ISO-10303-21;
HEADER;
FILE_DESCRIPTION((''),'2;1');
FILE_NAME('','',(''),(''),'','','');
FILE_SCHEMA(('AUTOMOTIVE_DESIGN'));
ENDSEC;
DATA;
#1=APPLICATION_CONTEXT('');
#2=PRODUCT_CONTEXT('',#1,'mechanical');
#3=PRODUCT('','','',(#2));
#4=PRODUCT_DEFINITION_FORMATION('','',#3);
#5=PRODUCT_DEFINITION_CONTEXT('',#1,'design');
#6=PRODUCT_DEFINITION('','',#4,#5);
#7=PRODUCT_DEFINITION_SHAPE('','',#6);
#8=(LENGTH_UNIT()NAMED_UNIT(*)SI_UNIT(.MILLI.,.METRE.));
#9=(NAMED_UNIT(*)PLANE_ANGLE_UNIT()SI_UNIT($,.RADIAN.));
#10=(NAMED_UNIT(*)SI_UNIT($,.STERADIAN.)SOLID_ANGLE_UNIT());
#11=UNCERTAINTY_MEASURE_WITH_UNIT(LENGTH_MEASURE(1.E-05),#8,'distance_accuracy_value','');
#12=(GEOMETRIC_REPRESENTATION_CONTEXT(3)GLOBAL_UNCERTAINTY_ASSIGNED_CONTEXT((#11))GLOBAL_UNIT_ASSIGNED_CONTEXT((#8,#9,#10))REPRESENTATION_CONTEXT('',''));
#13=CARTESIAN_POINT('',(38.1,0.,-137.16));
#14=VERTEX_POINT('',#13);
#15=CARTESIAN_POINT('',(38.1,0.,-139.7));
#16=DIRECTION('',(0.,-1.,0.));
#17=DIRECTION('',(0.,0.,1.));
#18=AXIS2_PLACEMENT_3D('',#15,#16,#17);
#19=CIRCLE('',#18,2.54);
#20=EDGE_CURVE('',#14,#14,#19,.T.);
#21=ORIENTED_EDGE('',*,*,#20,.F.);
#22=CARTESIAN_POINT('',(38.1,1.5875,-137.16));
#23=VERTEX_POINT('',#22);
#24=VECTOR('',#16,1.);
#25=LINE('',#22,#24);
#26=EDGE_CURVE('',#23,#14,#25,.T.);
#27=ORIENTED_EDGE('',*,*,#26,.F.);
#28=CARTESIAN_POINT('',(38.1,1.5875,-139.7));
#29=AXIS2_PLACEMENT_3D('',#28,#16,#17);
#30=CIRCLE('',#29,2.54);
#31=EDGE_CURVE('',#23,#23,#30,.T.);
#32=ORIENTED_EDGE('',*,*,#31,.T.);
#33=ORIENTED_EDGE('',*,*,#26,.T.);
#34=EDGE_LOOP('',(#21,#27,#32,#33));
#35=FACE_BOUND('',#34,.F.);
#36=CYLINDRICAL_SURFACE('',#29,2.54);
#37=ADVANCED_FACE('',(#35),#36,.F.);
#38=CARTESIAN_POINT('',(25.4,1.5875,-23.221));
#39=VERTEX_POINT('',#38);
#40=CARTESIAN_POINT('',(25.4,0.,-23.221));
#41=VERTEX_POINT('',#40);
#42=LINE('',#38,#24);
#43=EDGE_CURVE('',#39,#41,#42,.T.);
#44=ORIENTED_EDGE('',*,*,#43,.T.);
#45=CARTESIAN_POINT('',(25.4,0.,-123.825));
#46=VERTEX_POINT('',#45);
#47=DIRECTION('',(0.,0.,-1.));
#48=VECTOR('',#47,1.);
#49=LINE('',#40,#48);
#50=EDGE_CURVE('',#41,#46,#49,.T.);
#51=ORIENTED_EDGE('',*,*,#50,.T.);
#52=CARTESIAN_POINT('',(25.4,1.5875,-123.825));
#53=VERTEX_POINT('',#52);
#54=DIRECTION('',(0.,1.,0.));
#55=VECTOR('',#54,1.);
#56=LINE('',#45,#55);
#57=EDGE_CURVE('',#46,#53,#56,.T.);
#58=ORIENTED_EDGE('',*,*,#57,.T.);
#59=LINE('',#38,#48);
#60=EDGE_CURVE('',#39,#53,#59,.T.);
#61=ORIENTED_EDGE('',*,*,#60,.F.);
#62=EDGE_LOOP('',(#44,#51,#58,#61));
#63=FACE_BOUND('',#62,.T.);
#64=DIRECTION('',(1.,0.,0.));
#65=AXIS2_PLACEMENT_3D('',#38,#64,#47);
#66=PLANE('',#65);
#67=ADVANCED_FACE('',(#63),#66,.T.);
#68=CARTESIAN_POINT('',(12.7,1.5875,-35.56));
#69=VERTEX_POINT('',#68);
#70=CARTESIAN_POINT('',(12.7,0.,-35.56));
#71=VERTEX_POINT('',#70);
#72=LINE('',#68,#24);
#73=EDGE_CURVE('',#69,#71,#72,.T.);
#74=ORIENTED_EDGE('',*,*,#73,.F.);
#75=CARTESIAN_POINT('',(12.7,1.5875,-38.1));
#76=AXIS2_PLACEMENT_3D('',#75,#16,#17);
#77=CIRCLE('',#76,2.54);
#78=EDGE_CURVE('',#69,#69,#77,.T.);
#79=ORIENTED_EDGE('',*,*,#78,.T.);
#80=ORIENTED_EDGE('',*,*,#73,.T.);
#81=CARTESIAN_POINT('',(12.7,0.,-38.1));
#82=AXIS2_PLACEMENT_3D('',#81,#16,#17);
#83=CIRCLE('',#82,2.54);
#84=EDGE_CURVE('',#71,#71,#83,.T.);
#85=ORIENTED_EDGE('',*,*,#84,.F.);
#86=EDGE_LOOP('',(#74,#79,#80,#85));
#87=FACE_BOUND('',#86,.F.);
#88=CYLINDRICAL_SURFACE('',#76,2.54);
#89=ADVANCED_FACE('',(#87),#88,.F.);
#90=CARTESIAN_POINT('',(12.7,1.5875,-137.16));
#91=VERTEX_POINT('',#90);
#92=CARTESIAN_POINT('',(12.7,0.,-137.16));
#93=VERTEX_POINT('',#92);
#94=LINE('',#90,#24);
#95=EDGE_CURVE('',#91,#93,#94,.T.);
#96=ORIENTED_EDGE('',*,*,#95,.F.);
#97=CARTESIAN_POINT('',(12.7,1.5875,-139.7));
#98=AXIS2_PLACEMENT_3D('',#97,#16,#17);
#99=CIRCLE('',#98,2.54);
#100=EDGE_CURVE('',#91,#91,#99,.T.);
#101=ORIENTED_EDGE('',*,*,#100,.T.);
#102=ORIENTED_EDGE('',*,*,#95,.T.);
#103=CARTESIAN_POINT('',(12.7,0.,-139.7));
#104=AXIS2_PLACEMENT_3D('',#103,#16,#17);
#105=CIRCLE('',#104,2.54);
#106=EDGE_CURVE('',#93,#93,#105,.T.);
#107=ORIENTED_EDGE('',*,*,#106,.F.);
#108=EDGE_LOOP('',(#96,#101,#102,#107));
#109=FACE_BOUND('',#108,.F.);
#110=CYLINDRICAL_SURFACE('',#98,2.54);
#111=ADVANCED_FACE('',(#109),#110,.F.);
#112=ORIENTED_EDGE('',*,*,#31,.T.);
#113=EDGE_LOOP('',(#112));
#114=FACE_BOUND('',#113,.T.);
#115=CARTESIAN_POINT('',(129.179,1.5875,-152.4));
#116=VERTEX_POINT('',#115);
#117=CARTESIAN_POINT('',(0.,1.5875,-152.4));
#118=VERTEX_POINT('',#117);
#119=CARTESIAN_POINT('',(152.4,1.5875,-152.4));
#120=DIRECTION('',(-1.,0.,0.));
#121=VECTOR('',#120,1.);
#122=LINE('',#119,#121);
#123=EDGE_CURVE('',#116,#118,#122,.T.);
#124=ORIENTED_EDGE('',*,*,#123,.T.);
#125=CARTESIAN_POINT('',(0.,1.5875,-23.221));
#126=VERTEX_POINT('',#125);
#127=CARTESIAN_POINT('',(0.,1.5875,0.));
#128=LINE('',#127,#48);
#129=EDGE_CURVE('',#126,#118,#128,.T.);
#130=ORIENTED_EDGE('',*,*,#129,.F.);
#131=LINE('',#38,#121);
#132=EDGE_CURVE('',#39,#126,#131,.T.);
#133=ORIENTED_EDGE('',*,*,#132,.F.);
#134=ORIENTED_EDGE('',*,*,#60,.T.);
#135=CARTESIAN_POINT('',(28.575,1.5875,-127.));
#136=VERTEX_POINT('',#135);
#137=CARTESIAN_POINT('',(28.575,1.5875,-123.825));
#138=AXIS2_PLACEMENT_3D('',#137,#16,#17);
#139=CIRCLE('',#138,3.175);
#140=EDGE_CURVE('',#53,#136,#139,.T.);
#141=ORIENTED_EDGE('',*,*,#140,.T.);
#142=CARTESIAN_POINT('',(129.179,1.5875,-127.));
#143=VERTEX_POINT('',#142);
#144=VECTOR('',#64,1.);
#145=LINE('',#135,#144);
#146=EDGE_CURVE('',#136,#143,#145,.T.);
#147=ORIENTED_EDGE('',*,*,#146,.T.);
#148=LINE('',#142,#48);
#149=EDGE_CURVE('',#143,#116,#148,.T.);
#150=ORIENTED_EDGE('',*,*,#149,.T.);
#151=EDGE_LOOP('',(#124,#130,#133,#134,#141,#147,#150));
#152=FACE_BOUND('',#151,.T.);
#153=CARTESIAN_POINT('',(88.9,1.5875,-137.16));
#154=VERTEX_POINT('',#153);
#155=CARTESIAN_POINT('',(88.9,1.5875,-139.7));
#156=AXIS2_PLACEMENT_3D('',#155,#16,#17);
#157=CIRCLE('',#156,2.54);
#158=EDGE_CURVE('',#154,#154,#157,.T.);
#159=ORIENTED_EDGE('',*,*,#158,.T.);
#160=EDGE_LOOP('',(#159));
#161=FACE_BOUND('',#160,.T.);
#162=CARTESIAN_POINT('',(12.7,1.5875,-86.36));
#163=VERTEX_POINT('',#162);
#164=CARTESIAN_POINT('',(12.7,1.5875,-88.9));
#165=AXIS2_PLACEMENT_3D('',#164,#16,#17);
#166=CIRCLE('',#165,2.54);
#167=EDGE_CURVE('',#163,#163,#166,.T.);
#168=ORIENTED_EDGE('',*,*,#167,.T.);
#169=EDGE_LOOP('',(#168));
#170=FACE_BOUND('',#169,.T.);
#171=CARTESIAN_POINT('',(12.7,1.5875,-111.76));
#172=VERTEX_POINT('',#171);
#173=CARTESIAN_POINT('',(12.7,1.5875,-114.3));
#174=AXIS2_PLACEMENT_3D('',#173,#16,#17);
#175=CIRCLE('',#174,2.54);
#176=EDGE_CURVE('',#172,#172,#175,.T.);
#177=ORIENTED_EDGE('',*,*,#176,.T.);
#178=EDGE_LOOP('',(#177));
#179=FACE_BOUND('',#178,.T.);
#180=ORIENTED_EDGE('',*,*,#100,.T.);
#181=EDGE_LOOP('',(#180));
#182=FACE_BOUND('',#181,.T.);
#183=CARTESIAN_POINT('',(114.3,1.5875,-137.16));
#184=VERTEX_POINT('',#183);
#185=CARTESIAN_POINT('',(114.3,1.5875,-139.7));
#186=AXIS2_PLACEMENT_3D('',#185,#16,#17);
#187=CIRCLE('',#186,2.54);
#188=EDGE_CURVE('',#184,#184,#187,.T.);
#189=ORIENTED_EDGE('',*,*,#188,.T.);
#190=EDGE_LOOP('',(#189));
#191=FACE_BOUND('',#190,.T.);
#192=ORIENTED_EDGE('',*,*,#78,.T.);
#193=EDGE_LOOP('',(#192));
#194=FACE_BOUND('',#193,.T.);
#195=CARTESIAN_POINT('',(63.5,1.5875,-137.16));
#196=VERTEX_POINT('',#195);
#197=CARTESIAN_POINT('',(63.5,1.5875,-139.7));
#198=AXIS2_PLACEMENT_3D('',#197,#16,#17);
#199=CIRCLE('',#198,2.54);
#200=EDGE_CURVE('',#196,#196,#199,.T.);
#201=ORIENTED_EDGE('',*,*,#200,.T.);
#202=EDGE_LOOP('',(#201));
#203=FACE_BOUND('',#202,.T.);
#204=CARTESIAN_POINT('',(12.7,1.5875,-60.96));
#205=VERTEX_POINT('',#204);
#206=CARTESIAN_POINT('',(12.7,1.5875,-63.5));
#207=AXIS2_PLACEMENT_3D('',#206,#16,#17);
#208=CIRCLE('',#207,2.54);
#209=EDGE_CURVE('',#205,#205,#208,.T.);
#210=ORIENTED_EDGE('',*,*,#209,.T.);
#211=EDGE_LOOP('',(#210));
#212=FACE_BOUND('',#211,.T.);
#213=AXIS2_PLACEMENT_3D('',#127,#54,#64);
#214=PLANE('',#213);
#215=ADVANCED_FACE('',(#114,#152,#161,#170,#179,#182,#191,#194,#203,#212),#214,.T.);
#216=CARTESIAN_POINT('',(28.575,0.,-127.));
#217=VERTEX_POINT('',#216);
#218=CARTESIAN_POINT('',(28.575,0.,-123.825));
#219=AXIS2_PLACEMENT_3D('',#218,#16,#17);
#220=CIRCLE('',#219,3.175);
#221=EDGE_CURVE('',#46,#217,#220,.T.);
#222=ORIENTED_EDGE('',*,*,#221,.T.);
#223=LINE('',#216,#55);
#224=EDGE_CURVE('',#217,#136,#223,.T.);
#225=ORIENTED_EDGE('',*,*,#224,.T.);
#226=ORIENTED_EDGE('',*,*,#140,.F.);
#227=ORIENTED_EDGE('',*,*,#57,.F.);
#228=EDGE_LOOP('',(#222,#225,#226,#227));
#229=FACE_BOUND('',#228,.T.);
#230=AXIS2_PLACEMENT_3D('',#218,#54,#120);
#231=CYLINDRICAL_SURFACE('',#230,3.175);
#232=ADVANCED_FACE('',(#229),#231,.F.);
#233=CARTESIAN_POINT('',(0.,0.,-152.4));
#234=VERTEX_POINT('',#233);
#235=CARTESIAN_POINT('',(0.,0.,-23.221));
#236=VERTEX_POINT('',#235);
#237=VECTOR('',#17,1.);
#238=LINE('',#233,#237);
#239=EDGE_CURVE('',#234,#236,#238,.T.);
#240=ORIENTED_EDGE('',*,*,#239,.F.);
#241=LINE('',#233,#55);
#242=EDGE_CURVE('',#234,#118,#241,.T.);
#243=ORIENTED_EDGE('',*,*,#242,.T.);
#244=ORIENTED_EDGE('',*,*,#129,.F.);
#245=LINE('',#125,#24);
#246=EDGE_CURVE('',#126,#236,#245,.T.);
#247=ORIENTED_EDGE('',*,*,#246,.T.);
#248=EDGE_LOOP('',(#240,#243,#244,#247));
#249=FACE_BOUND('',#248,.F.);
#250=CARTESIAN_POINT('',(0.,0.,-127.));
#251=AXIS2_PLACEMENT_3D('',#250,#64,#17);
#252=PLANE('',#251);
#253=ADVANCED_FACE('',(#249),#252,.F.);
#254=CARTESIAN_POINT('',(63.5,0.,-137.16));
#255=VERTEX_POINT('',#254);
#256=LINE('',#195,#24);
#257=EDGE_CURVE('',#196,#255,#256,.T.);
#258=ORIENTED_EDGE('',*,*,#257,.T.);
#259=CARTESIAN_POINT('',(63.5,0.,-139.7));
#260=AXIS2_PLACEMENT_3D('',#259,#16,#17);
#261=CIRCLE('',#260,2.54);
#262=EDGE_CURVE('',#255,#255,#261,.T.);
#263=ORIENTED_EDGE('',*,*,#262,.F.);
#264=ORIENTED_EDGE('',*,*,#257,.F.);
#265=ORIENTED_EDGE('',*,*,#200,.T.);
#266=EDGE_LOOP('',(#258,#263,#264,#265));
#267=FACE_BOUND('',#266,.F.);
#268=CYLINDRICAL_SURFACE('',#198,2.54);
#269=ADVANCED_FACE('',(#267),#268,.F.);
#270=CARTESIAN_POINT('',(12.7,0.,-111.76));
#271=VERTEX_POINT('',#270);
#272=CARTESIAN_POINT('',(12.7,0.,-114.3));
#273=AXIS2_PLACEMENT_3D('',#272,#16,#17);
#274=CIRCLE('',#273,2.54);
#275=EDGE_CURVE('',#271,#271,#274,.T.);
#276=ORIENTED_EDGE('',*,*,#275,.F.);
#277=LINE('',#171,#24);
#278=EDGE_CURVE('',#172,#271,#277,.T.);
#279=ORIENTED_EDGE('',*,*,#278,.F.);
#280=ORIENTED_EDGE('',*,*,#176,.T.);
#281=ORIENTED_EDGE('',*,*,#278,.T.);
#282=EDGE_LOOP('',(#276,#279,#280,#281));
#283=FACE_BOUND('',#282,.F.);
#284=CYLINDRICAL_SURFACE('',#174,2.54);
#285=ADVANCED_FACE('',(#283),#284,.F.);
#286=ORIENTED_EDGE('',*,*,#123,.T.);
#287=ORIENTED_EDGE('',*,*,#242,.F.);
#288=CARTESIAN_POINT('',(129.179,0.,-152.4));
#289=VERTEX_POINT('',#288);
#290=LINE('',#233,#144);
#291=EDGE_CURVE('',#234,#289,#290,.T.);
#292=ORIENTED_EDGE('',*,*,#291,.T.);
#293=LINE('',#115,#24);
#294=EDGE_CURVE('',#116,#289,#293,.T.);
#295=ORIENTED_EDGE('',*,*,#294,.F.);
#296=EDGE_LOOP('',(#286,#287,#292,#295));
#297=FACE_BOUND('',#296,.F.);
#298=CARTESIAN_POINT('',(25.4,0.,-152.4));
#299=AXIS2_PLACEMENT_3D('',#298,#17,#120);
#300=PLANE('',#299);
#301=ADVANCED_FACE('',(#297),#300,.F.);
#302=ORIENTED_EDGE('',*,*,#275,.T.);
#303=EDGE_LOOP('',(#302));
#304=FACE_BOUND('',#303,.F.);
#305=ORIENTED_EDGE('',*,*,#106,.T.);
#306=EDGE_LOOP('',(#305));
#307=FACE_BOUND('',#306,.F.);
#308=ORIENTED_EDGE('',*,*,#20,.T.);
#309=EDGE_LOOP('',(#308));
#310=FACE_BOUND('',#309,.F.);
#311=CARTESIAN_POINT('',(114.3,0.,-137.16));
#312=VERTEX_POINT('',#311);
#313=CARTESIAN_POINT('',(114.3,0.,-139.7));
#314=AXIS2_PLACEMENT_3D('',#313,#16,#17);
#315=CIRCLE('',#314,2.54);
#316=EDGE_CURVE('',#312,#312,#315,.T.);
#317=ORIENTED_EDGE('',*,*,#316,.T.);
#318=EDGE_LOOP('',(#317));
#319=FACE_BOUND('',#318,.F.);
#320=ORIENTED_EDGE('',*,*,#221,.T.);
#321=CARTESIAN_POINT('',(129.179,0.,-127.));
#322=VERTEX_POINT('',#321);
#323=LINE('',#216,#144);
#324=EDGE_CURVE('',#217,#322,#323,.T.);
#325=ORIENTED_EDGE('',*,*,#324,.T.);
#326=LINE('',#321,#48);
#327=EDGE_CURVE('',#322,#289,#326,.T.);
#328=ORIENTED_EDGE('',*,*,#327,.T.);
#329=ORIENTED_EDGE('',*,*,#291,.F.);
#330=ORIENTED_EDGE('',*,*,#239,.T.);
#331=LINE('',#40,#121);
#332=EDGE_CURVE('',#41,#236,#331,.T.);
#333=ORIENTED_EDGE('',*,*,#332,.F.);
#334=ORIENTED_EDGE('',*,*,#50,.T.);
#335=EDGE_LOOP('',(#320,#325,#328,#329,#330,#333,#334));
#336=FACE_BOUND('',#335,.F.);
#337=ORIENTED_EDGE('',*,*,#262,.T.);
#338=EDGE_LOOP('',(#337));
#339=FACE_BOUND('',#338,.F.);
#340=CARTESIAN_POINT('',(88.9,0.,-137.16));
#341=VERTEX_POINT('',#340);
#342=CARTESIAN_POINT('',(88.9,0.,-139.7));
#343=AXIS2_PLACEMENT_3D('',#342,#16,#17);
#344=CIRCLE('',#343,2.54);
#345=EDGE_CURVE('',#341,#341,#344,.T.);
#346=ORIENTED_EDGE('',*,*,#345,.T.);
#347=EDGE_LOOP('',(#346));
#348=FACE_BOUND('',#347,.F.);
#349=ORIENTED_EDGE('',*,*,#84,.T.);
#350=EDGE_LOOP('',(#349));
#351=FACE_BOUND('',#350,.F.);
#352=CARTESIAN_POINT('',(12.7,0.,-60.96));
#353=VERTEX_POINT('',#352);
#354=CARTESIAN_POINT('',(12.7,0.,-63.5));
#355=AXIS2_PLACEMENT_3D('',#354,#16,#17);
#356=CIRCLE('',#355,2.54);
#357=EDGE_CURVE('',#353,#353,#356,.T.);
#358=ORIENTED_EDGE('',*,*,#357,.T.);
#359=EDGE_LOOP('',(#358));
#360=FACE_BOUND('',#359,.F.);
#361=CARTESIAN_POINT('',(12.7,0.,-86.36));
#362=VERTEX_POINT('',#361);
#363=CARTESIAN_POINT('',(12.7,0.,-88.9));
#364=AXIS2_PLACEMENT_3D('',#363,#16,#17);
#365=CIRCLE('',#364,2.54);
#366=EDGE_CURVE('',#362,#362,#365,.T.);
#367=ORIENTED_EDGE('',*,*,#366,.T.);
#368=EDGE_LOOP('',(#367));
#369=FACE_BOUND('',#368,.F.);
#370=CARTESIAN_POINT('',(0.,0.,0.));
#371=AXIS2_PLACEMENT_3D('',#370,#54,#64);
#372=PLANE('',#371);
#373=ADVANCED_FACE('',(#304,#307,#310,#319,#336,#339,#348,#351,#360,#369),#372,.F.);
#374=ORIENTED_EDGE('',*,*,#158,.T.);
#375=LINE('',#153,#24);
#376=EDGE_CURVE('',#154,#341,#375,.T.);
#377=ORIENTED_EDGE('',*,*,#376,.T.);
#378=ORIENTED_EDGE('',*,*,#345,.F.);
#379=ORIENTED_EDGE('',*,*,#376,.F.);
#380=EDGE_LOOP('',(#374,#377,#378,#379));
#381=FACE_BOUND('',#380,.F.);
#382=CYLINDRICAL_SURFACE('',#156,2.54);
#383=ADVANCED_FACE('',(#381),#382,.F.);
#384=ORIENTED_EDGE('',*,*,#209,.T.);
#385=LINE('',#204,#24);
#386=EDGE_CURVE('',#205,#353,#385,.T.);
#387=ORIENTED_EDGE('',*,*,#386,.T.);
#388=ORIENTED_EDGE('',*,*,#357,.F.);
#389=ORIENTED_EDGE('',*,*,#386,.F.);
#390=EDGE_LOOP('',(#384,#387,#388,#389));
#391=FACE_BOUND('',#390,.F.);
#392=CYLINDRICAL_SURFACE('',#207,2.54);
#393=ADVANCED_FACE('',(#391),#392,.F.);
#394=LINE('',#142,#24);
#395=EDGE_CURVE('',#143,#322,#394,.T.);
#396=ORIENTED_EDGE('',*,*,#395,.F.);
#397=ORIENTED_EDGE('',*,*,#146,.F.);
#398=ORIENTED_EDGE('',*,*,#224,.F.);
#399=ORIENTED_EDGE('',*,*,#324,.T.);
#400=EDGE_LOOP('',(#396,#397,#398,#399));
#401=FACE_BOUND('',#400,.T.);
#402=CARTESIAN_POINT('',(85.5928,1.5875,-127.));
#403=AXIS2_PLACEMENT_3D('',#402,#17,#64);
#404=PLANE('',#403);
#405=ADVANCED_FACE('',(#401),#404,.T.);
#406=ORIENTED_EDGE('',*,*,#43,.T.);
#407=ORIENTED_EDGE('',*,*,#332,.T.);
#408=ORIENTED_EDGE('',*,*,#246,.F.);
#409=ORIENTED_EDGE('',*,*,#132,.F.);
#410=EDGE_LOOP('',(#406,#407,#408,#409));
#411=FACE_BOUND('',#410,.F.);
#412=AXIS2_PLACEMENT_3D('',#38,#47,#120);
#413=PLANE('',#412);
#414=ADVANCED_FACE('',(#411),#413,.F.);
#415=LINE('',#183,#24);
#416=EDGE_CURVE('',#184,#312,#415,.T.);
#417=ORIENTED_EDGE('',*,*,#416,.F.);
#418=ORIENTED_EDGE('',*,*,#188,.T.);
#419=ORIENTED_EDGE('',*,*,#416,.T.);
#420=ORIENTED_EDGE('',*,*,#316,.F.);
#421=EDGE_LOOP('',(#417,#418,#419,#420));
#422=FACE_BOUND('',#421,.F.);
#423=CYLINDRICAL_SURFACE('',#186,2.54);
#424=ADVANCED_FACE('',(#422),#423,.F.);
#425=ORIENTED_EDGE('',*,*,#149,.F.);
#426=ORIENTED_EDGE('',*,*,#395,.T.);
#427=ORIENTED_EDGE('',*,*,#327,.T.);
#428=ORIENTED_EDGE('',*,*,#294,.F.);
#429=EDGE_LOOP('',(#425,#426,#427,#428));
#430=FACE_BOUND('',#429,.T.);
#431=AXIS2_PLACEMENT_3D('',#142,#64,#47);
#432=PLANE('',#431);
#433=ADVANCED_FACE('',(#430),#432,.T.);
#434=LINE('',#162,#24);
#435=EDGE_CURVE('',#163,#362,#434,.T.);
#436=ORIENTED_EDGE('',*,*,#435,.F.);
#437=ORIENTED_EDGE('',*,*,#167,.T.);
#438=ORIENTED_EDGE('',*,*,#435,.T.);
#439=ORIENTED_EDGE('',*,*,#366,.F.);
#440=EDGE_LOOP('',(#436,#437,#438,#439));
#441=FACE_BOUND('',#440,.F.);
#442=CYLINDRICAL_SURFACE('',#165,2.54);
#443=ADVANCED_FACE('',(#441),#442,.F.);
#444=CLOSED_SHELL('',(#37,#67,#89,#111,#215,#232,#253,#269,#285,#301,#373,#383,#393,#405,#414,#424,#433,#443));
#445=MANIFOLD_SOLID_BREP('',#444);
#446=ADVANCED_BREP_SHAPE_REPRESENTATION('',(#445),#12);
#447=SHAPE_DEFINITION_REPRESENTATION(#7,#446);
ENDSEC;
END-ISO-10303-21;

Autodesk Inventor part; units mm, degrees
ref_plane "YZ Plane" through (0, 0, 0) normal (1, 0, 0) x (0, 1, 0)
ref_plane "XZ Plane" through (0, 0, 0) normal (0, 1, 0) x (-1, 0, 0)
ref_plane "XY Plane" through (0, 0, 0) normal (0, 0, 1) x (1, 0, 0)
sketch "Sketch1" plane through (0, 0, 0) normal (0, 1, 0) x (-1, 0, 0)
  line L0 (0, 0) -> (-25.4, 0)
  line L1 (-25.4, -35.921) -> (-25.4, -127)
  line L2 (-25.4, -152.4) -> (0, -152.4)
  line L3 (0, -152.4) -> (0, 0)
  line L4 (0, -152.4) -> (-152.4, -152.4)
  line L5 (-152.4, -152.4) -> (-152.4, -127)
  line L6 (-116.479, -127) -> (-25.4, -127)
  line L7 (0, -127) -> (0, -152.4)
  line L8 (-152.4, -127) -> (-25.4, 0)
  line L9 (-25.4, -35.921) -> (-116.479, -127)
  dimension "d0" = 25.4
  dimension "d1" = 152.4
  dimension "d2" = 152.4
  dimension "d3" = 25.4
  dimension "d4" = 25.4
extrude "Extrusion1" add sketch "Sketch1" along normal blind 1.5875
sketch "Sketch2" plane through (0, 1.5875, 0) normal (0, 1, 0) x (1, 0, 0)
  line L0 (152.4, 152.4) -> (0, 152.4) projected
  line L1 (0, 152.4) -> (25.4, 152.4)
  line L2 (25.4, 35.921) -> (25.4, 127) projected
  line L3 (25.4, 152.4) -> (25.4, 127)
  line L4 (25.4, 127) -> (0, 152.4)
  line L5 (25.4, 152.4) -> (0, 127)
  line L6 (0, 152.4) -> (0, 0) projected
  line L7 (12.7, 139.7) -> (38.1, 139.7)
  line L8 (38.1, 139.7) -> (63.5, 139.7)
  line L9 (63.5, 139.7) -> (88.9, 139.7)
  line L10 (88.9, 139.7) -> (114.3, 139.7)
  line L11 (114.3, 139.7) -> (139.7, 139.7)
  line L12 (12.7, 139.7) -> (12.7, 114.3)
  line L13 (12.7, 114.3) -> (12.7, 88.9)
  line L14 (12.7, 88.9) -> (12.7, 63.5)
  line L15 (12.7, 63.5) -> (12.7, 38.1)
  line L16 (12.7, 38.1) -> (12.7, 12.7)
  circle A0 centre (12.7, 139.7) radius 2.54
  circle A1 centre (38.1, 139.7) radius 2.54
  circle A2 centre (63.5, 139.7) radius 2.54
  circle A3 centre (88.9, 139.7) radius 2.54
  circle A4 centre (114.3, 139.7) radius 2.54
  circle A5 centre (139.7, 139.7) radius 2.54
  circle A6 centre (12.7, 114.3) radius 2.54
  circle A7 centre (12.7, 88.9) radius 2.54
  circle A8 centre (12.7, 63.5) radius 2.54
  circle A9 centre (12.7, 38.1) radius 2.54
  circle A10 centre (12.7, 12.7) radius 2.54
  dimension "d7" = 25.4
  dimension "d8" = 25.4
  dimension "d9" = 25.4
  dimension "d10" = 25.4
  dimension "d11" = 25.4
  dimension "d12" = 25.4
  dimension "d13" = 25.4
  dimension "d14" = 25.4
  dimension "d15" = 25.4
  dimension "d16" = 25.4
  dimension "d17" = 5.08
  dimension "d18" = 5.08
  dimension "d19" = 5.08
  dimension "d20" = 5.08
  dimension "d21" = 5.08
  dimension "d22" = 5.08
  dimension "d23" = 5.08
  dimension "d24" = 5.08
hole "Hole1" at (12.7, 1.5875, -139.7) at (38.1, 1.5875, -139.7) at (63.5, 1.5875, -139.7) at (88.9, 1.5875, -139.7) at (114.3, 1.5875, -139.7) at (12.7, 1.5875, -114.3) at (12.7, 1.5875, -88.9) at (12.7, 1.5875, -63.5) at (12.7, 1.5875, -38.1) direction (0, -1, 0) diameter 5.08 end through all
sketch "Sketch3" plane through (0, 1.5875, 0) normal (0, 1, 0) x (1, 0, 0)
  line L0 (116.479, 127) -> (25.4, 127) projected
  line L1 (116.479, 127) -> (129.179, 127)
  line L2 (129.179, 127) -> (129.179, 152.4)
  line L3 (152.4, 152.4) -> (0, 152.4) projected
  line L4 (25.4, 35.921) -> (25.4, 127) projected
  line L5 (25.4, 35.921) -> (25.4, 23.221)
  line L6 (25.4, 23.221) -> (0, 23.221)
  line L7 (0, 23.221) -> (0, 0)
  line L8 (25.4, 0) -> (152.4, 127) projected
  line L9 (0, 0) -> (25.4, 0)
  line L10 (25.4, 0) -> (152.4, 127)
  line L11 (152.4, 127) -> (152.4, 152.4) projected
  line L12 (152.4, 127) -> (152.4, 152.4)
  line L13 (152.4, 152.4) -> (129.179, 152.4)
  line L14 (116.479, 127) -> (25.4, 35.921)
  dimension "d32" = 12.7
  dimension "d33" = 12.7
extrude "Extrusion2" cut sketch "Sketch3" against normal blind 1.5875 contours L1 L2 L3 L11 L8 L9 L7 L6 L5 L14
sketch "Sketch4" plane through (0, 1.5875, 0) normal (0, 1, 0) x (1, 0, 0)
  line L0 (129.179, 127) -> (25.4, 127) projected
  line L1 (129.179, 127) -> (25.4, 23.221)
  line L2 (25.4, 59.142) -> (93.258, 127)
  line L3 (25.4, 127) -> (25.4, 23.221) projected
  line L4 (25.4, 59.142) -> (25.4, 23.221)
  point P0 (0, 0)
  dimension "d36" = 25.4
extrude "Extrusion3" add sketch "Sketch4" against normal blind 1.5875 contours L1 L3 L2 L0
fillet "Fillet1" radius 3.175 3 edges at (25.4, 0.7937, -127) (93.258, 0.7937, -127) (25.4, 0.7937, -59.142)
sketch "Sketch5" plane through (0, 1.5875, 0) normal (0, 1, 0) x (1, 0, 0)
  line L0 (25.4, 123.825) -> (25.4, 66.8072) projected
  line L1 (25.4, 23.221) -> (25.4, 123.825)
  line L2 (85.5928, 127) -> (28.575, 127) projected
  line L3 (28.575, 127) -> (135.0414, 127)
  line L4 (135.0414, 127) -> (135.0414, 23.221)
  line L5 (135.0414, 23.221) -> (25.4, 23.221)
  line L6 (28.575, 127) -> (85.5928, 127) projected
  line L7 (28.575, 127) -> (25.4, 123.825)
  point P0 (0, 0)
extrude "Extrusion4" cut sketch "Sketch5" against normal blind 25.4
properties part number "Gusset 2B 2.0"
